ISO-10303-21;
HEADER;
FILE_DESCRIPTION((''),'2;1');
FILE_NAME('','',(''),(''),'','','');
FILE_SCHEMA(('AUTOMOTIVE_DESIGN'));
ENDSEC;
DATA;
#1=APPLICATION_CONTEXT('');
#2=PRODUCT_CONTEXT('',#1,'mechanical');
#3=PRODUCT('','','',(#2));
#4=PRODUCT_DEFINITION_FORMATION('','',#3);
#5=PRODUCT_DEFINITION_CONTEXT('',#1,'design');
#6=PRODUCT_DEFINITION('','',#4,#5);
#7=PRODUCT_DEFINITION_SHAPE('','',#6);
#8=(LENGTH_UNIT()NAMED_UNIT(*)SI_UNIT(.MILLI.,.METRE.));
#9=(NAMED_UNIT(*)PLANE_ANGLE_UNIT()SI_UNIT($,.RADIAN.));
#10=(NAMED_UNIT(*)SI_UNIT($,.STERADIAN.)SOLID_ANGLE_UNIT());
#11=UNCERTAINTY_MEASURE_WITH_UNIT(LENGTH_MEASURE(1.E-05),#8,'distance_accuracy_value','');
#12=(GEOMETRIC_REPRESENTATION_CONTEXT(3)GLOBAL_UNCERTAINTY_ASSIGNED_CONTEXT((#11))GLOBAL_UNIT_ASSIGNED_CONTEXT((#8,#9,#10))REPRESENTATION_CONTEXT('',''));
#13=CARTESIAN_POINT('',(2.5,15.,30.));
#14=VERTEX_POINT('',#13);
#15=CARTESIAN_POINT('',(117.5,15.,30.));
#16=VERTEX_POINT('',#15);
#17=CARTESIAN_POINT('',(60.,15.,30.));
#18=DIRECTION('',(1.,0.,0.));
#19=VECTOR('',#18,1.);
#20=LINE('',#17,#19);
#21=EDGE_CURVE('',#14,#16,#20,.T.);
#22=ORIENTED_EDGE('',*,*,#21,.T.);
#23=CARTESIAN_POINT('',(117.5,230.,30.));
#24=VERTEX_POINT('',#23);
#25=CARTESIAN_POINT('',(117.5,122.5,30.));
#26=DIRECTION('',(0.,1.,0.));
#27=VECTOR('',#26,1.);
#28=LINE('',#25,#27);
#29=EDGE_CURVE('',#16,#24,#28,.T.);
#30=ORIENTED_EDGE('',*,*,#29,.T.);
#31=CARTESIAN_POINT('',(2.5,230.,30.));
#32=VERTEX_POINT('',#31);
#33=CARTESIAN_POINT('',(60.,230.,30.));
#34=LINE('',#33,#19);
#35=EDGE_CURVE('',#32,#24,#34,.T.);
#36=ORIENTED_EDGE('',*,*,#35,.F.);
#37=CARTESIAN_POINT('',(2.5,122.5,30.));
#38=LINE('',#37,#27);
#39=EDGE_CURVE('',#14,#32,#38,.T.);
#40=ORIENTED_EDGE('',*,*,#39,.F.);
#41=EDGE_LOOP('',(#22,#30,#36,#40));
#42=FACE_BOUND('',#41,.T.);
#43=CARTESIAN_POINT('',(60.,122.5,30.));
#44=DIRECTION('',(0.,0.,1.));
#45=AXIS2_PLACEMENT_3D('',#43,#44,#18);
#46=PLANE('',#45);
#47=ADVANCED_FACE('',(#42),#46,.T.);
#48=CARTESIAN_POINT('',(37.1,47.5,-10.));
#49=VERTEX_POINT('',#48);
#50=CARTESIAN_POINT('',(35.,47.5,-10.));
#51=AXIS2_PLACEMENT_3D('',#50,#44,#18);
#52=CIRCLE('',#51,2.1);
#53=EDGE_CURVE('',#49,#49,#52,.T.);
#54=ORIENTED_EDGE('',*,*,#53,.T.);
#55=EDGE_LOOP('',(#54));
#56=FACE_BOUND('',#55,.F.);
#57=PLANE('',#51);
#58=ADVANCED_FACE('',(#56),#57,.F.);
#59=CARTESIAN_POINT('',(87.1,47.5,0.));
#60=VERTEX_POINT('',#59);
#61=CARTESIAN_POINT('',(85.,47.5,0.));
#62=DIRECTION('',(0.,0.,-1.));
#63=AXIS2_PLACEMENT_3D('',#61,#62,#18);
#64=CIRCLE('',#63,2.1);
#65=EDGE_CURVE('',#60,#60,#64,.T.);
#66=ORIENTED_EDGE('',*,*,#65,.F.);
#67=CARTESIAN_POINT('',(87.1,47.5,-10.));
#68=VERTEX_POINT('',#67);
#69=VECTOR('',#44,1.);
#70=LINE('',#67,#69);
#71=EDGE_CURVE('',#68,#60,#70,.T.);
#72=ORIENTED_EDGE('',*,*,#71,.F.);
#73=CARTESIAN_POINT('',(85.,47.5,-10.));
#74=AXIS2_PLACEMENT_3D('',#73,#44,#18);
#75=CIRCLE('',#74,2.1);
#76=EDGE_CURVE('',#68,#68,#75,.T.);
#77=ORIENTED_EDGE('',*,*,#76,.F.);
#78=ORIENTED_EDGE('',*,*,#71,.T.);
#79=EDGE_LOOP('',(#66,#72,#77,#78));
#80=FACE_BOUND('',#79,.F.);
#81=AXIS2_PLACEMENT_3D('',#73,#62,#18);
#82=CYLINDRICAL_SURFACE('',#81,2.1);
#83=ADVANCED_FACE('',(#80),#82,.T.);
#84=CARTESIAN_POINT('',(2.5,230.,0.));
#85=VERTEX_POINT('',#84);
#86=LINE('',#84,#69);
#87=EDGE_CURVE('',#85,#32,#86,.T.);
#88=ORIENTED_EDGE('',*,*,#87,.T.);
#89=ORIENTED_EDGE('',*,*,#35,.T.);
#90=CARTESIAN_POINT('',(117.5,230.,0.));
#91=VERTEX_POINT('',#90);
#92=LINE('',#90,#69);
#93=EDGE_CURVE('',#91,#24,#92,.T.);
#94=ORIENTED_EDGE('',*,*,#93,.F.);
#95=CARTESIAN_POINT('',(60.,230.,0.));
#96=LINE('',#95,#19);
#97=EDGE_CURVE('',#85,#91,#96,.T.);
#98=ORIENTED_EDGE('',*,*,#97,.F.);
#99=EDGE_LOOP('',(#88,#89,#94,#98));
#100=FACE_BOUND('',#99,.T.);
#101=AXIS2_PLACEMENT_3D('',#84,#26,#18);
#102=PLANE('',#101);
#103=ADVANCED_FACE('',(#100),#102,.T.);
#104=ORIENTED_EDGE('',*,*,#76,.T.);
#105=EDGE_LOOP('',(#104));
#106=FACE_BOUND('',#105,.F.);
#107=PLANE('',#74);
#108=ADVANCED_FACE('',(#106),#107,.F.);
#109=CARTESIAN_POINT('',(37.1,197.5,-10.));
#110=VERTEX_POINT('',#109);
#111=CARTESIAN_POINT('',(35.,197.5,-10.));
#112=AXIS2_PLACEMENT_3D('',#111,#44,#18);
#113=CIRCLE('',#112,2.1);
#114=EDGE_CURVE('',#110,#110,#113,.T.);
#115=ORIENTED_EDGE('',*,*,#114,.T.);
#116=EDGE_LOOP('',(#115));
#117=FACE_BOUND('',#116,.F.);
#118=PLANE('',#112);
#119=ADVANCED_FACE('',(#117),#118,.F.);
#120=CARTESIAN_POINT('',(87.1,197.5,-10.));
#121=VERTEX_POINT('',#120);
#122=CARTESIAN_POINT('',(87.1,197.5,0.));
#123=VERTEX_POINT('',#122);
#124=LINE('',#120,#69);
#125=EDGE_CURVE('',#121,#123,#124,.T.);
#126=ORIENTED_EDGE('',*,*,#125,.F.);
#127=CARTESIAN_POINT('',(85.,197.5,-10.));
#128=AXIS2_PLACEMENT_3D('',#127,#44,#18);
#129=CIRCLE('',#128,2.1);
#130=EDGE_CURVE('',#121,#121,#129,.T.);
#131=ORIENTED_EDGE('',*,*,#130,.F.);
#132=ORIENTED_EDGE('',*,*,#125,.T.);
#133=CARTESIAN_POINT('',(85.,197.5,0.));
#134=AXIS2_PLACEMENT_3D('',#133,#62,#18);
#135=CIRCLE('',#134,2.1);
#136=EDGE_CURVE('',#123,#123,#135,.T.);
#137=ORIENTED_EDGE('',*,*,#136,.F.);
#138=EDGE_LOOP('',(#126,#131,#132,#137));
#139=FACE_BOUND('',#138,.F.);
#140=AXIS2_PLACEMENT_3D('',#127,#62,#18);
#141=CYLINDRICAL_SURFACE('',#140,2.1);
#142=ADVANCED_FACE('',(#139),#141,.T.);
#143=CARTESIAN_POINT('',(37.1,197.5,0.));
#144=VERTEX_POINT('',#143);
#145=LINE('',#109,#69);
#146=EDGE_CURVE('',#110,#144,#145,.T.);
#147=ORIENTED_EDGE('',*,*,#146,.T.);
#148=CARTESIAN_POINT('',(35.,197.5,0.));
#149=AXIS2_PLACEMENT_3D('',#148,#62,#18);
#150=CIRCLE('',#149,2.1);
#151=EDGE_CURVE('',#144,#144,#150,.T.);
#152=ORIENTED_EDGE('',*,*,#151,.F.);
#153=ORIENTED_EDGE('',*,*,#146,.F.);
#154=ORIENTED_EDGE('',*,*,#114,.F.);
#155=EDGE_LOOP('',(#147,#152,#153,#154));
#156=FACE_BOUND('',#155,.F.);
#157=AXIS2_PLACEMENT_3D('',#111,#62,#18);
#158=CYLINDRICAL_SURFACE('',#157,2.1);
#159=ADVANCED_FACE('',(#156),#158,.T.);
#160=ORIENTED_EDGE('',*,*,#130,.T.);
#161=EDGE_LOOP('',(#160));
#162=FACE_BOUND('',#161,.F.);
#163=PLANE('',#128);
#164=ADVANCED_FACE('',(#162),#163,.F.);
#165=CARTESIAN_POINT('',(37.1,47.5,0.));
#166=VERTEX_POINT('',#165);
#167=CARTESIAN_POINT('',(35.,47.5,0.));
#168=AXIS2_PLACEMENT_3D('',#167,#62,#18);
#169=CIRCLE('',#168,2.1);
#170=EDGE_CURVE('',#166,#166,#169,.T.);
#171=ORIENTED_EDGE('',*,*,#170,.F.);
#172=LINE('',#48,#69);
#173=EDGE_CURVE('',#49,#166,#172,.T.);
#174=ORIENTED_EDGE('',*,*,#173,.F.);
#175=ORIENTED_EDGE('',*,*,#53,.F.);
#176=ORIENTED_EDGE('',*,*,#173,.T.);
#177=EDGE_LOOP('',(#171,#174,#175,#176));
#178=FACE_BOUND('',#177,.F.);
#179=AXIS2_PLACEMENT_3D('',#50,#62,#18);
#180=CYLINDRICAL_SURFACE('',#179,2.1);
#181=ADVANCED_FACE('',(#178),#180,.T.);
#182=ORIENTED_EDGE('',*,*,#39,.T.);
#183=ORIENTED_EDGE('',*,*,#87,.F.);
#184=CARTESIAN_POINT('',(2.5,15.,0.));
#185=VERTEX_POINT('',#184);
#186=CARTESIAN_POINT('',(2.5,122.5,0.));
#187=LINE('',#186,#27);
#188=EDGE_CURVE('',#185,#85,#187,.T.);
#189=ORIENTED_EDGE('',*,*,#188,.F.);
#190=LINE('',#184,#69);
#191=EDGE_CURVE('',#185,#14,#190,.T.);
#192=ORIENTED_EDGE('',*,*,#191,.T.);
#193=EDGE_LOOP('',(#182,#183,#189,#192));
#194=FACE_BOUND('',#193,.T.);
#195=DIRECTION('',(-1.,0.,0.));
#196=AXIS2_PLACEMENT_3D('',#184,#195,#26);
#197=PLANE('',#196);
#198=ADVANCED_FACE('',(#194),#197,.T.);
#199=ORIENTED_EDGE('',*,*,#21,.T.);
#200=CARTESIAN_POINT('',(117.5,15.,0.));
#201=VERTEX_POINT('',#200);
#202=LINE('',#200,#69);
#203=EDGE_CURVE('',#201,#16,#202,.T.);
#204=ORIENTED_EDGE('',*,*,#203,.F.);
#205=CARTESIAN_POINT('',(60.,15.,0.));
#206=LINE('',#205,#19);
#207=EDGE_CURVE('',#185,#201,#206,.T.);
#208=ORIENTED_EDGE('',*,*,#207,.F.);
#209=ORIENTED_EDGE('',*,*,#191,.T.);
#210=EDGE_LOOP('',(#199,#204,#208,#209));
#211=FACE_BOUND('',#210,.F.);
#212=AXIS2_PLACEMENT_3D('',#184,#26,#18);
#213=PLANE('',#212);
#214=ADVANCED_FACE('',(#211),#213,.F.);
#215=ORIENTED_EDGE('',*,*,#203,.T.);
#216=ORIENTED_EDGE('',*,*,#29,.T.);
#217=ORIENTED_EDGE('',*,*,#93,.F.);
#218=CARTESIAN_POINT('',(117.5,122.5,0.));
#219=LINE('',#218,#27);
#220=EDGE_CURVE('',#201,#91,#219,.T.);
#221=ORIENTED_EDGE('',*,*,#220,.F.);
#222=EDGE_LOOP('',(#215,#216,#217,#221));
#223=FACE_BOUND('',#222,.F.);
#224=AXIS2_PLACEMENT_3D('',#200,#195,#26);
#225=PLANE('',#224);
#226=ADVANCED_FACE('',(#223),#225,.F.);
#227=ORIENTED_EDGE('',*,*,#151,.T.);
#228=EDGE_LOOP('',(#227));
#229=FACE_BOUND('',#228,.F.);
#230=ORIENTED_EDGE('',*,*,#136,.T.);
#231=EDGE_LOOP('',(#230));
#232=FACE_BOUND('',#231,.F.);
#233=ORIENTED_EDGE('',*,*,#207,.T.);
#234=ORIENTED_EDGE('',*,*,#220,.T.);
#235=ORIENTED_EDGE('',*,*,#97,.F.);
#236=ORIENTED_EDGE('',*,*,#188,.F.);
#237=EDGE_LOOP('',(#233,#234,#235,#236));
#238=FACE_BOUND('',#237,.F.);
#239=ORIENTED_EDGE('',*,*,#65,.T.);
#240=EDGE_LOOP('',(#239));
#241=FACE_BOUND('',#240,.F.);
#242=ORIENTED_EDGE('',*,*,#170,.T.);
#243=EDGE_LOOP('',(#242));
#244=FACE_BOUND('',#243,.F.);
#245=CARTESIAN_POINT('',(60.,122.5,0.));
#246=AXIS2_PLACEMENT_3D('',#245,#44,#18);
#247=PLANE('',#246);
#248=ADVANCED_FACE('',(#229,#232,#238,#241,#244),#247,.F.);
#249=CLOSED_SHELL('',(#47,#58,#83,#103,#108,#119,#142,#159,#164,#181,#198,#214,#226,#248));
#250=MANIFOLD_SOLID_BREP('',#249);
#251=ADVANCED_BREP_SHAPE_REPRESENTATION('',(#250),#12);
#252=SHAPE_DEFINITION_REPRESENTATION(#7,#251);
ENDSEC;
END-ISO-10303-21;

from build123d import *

# Parameters (mm, degrees)
BOX004_W          = 115
BOX004_H          = 215
BOX004_DEPTH      = 30
CYLINDER011_R     = 2.1
CYLINDER011_DEPTH = 40
CYLINDER012_R     = 2.1
CYLINDER012_DEPTH = 40
CYLINDER013_R     = 2.1
CYLINDER013_DEPTH = 40
CYLINDER010_R     = 2.1
CYLINDER010_DEPTH = 40


with BuildPart() as cube004:
    # Box004 → Box004 (new body)
    with BuildSketch(Plane.XY):
        with Locations((57.5, 107.5)):
            Rectangle(BOX004_W, BOX004_H)
    extrude(amount=BOX004_DEPTH)


with BuildPart() as cylinder001:
    # Cylinder011 → Cylinder011 (new body)
    with BuildSketch(Plane(origin=(32.5, 182.5, 0), x_dir=(1, 0, 0), z_dir=(0, 0, 1))):
        Circle(CYLINDER011_R)
    extrude(amount=CYLINDER011_DEPTH)


with BuildPart() as cylinder002:
    # Cylinder012 → Cylinder012 (new body)
    with BuildSketch(Plane(origin=(82.5, 182.5, 0), x_dir=(1, 0, 0), z_dir=(0, 0, 1))):
        Circle(CYLINDER012_R)
    extrude(amount=CYLINDER012_DEPTH)


with BuildPart() as cylinder003:
    # Cylinder013 → Cylinder013 (new body)
    with BuildSketch(Plane(origin=(82.5, 32.5, 0), x_dir=(1, 0, 0), z_dir=(0, 0, 1))):
        Circle(CYLINDER013_R)
    extrude(amount=CYLINDER013_DEPTH)


with BuildPart() as meanwell_pref:
    # Cylinder010 → Cylinder010 (new body)
    with BuildSketch(Plane(origin=(32.5, 32.5, 0), x_dir=(1, 0, 0), z_dir=(0, 0, 1))):
        Circle(CYLINDER010_R)
    extrude(amount=CYLINDER010_DEPTH)

    # Fusion005: union Cylinder001, Cylinder002, Cylinder003
    add(cylinder001.part)
    add(cylinder002.part)
    add(cylinder003.part)


with BuildPart() as meanwell_pref_1:
    # Fusion005 placement: moved
    add(meanwell_pref.part.moved(Location((0, 0, -10))))

    # Fusion006: union Cube004
    add(cube004.part)


with BuildPart() as meanwell_pref_2:
    # Fusion006 placement: moved
    add(meanwell_pref_1.part.moved(Location((2.5, 15, 0))))


solid = meanwell_pref_2.part
